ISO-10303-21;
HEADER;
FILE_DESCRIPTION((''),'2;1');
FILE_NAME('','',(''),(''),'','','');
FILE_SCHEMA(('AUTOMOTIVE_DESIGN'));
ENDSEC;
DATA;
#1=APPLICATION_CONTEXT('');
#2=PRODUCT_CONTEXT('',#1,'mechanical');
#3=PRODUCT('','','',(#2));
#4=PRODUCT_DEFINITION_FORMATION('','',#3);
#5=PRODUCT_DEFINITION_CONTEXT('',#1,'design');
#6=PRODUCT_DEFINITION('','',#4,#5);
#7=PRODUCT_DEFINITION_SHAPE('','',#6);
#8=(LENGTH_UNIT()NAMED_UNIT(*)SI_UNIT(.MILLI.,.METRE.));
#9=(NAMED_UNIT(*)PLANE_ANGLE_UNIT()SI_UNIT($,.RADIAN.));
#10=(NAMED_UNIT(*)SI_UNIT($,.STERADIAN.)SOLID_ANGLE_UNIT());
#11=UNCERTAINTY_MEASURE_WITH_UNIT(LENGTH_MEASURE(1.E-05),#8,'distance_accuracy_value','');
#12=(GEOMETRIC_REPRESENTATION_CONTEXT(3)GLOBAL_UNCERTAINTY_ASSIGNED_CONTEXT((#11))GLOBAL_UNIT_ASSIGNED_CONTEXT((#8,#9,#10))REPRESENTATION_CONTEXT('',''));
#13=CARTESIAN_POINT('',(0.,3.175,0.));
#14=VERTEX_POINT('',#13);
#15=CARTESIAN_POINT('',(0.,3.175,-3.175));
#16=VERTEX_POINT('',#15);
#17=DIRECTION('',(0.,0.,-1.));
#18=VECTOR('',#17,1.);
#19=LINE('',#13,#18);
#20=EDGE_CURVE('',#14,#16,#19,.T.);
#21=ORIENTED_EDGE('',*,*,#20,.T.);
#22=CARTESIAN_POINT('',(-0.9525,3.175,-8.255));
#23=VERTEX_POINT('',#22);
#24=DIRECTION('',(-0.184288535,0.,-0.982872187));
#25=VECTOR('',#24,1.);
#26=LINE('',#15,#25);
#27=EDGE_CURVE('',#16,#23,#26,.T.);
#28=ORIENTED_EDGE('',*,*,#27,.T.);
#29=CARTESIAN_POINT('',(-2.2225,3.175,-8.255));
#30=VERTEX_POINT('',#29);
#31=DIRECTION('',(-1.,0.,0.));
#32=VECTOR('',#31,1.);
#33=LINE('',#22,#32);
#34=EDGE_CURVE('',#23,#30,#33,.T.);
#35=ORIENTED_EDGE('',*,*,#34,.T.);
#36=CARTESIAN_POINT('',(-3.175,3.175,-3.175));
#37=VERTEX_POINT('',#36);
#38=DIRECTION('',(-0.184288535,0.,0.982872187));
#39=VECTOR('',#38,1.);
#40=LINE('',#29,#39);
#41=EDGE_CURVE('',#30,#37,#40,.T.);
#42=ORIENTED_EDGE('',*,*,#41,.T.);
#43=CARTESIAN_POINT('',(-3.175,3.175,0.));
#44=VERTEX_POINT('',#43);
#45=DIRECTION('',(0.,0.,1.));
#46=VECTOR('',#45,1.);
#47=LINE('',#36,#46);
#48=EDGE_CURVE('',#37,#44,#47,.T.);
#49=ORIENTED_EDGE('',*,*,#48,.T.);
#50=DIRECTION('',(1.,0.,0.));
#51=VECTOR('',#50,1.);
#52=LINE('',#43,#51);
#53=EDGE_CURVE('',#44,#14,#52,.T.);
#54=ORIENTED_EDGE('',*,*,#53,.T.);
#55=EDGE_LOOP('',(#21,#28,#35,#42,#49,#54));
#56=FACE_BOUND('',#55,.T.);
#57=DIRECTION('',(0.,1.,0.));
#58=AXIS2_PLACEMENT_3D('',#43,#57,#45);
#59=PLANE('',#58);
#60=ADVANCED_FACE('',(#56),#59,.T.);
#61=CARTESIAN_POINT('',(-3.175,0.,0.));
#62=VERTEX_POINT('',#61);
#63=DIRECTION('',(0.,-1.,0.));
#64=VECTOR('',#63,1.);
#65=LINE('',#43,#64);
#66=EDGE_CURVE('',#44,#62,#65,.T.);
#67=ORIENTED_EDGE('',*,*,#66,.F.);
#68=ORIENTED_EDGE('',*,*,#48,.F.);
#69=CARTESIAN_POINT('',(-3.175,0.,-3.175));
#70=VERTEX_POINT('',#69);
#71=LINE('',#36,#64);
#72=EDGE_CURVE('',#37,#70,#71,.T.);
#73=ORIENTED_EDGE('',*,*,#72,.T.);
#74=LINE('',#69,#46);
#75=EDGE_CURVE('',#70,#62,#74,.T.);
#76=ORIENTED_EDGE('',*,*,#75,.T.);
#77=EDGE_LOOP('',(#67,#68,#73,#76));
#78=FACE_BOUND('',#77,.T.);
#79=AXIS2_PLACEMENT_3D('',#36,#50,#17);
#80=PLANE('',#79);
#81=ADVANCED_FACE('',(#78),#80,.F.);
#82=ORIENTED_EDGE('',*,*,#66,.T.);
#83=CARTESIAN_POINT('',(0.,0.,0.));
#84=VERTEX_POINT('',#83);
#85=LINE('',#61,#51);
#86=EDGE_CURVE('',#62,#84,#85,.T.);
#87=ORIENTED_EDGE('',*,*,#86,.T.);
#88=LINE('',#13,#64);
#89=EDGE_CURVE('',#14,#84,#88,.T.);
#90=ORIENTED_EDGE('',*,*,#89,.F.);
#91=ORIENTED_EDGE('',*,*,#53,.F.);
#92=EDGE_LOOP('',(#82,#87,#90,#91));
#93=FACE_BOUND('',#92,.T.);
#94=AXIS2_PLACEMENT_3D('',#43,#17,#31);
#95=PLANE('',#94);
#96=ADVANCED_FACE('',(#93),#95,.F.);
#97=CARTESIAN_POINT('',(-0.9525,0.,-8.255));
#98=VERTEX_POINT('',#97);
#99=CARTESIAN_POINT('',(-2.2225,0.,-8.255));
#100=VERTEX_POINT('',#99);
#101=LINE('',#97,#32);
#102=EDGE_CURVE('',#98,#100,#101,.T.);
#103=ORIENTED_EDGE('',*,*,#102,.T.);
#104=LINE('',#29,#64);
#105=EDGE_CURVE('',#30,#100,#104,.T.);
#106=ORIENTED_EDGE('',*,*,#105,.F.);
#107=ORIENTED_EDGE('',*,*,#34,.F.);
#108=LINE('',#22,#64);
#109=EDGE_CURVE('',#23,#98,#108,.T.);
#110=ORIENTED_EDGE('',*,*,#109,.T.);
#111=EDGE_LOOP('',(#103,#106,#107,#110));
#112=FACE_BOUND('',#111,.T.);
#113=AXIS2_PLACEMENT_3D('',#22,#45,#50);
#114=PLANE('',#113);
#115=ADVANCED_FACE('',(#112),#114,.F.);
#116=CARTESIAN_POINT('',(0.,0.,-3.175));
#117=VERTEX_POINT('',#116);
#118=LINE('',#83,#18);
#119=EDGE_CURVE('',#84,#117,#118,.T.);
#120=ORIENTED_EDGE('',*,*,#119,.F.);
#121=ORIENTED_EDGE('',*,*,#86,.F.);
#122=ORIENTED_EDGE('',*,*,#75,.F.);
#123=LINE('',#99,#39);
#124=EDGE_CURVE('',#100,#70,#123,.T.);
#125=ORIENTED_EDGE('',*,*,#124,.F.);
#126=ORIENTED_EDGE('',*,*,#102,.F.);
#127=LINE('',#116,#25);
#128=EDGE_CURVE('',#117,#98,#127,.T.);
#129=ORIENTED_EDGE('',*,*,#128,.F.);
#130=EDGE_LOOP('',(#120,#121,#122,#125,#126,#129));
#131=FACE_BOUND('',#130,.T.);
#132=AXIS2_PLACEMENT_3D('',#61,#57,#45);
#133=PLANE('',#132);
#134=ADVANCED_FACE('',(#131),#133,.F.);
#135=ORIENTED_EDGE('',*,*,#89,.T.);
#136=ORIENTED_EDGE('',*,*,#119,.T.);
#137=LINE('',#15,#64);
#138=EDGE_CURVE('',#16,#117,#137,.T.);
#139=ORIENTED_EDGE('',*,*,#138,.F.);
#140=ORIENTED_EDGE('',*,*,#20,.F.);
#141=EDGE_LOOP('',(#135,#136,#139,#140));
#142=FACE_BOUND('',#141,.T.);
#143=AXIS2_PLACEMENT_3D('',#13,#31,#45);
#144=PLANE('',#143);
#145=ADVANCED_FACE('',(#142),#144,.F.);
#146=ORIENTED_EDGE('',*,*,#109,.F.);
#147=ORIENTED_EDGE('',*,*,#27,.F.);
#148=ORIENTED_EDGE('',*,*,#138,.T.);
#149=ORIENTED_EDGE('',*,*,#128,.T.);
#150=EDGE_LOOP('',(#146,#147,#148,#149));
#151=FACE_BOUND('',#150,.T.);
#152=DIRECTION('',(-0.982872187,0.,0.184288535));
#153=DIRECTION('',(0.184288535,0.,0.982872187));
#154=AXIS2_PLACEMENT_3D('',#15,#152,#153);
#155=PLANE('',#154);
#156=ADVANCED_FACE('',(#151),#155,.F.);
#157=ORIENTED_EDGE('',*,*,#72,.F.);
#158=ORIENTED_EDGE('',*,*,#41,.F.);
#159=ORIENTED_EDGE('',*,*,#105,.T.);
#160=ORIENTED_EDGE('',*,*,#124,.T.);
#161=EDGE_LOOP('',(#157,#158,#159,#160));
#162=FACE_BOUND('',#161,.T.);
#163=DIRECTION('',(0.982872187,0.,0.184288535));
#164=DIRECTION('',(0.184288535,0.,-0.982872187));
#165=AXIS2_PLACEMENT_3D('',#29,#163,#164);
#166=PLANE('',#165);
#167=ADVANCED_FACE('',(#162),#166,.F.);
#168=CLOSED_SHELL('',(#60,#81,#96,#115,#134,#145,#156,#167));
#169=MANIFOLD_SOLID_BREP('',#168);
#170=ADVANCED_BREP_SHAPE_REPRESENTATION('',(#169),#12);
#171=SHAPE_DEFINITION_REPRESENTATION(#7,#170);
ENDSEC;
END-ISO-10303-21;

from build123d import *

# Parameters (mm, degrees)
BOSS_EXTRUDE1_DEPTH = 3.175


with BuildPart() as part:
    # Sketch1 → Boss-Extrude1 (new body)
    with BuildSketch(Plane(origin=(0, 0, 0), x_dir=(1, 0, 0), z_dir=(0, 1, 0))):
        Polygon((-3.175, 0), (0, 0), (0, 3.175), (-0.9525, 8.255), (-2.2225, 8.255), (-3.175, 3.175), align=None)
    extrude(amount=BOSS_EXTRUDE1_DEPTH)


solid = part.part
